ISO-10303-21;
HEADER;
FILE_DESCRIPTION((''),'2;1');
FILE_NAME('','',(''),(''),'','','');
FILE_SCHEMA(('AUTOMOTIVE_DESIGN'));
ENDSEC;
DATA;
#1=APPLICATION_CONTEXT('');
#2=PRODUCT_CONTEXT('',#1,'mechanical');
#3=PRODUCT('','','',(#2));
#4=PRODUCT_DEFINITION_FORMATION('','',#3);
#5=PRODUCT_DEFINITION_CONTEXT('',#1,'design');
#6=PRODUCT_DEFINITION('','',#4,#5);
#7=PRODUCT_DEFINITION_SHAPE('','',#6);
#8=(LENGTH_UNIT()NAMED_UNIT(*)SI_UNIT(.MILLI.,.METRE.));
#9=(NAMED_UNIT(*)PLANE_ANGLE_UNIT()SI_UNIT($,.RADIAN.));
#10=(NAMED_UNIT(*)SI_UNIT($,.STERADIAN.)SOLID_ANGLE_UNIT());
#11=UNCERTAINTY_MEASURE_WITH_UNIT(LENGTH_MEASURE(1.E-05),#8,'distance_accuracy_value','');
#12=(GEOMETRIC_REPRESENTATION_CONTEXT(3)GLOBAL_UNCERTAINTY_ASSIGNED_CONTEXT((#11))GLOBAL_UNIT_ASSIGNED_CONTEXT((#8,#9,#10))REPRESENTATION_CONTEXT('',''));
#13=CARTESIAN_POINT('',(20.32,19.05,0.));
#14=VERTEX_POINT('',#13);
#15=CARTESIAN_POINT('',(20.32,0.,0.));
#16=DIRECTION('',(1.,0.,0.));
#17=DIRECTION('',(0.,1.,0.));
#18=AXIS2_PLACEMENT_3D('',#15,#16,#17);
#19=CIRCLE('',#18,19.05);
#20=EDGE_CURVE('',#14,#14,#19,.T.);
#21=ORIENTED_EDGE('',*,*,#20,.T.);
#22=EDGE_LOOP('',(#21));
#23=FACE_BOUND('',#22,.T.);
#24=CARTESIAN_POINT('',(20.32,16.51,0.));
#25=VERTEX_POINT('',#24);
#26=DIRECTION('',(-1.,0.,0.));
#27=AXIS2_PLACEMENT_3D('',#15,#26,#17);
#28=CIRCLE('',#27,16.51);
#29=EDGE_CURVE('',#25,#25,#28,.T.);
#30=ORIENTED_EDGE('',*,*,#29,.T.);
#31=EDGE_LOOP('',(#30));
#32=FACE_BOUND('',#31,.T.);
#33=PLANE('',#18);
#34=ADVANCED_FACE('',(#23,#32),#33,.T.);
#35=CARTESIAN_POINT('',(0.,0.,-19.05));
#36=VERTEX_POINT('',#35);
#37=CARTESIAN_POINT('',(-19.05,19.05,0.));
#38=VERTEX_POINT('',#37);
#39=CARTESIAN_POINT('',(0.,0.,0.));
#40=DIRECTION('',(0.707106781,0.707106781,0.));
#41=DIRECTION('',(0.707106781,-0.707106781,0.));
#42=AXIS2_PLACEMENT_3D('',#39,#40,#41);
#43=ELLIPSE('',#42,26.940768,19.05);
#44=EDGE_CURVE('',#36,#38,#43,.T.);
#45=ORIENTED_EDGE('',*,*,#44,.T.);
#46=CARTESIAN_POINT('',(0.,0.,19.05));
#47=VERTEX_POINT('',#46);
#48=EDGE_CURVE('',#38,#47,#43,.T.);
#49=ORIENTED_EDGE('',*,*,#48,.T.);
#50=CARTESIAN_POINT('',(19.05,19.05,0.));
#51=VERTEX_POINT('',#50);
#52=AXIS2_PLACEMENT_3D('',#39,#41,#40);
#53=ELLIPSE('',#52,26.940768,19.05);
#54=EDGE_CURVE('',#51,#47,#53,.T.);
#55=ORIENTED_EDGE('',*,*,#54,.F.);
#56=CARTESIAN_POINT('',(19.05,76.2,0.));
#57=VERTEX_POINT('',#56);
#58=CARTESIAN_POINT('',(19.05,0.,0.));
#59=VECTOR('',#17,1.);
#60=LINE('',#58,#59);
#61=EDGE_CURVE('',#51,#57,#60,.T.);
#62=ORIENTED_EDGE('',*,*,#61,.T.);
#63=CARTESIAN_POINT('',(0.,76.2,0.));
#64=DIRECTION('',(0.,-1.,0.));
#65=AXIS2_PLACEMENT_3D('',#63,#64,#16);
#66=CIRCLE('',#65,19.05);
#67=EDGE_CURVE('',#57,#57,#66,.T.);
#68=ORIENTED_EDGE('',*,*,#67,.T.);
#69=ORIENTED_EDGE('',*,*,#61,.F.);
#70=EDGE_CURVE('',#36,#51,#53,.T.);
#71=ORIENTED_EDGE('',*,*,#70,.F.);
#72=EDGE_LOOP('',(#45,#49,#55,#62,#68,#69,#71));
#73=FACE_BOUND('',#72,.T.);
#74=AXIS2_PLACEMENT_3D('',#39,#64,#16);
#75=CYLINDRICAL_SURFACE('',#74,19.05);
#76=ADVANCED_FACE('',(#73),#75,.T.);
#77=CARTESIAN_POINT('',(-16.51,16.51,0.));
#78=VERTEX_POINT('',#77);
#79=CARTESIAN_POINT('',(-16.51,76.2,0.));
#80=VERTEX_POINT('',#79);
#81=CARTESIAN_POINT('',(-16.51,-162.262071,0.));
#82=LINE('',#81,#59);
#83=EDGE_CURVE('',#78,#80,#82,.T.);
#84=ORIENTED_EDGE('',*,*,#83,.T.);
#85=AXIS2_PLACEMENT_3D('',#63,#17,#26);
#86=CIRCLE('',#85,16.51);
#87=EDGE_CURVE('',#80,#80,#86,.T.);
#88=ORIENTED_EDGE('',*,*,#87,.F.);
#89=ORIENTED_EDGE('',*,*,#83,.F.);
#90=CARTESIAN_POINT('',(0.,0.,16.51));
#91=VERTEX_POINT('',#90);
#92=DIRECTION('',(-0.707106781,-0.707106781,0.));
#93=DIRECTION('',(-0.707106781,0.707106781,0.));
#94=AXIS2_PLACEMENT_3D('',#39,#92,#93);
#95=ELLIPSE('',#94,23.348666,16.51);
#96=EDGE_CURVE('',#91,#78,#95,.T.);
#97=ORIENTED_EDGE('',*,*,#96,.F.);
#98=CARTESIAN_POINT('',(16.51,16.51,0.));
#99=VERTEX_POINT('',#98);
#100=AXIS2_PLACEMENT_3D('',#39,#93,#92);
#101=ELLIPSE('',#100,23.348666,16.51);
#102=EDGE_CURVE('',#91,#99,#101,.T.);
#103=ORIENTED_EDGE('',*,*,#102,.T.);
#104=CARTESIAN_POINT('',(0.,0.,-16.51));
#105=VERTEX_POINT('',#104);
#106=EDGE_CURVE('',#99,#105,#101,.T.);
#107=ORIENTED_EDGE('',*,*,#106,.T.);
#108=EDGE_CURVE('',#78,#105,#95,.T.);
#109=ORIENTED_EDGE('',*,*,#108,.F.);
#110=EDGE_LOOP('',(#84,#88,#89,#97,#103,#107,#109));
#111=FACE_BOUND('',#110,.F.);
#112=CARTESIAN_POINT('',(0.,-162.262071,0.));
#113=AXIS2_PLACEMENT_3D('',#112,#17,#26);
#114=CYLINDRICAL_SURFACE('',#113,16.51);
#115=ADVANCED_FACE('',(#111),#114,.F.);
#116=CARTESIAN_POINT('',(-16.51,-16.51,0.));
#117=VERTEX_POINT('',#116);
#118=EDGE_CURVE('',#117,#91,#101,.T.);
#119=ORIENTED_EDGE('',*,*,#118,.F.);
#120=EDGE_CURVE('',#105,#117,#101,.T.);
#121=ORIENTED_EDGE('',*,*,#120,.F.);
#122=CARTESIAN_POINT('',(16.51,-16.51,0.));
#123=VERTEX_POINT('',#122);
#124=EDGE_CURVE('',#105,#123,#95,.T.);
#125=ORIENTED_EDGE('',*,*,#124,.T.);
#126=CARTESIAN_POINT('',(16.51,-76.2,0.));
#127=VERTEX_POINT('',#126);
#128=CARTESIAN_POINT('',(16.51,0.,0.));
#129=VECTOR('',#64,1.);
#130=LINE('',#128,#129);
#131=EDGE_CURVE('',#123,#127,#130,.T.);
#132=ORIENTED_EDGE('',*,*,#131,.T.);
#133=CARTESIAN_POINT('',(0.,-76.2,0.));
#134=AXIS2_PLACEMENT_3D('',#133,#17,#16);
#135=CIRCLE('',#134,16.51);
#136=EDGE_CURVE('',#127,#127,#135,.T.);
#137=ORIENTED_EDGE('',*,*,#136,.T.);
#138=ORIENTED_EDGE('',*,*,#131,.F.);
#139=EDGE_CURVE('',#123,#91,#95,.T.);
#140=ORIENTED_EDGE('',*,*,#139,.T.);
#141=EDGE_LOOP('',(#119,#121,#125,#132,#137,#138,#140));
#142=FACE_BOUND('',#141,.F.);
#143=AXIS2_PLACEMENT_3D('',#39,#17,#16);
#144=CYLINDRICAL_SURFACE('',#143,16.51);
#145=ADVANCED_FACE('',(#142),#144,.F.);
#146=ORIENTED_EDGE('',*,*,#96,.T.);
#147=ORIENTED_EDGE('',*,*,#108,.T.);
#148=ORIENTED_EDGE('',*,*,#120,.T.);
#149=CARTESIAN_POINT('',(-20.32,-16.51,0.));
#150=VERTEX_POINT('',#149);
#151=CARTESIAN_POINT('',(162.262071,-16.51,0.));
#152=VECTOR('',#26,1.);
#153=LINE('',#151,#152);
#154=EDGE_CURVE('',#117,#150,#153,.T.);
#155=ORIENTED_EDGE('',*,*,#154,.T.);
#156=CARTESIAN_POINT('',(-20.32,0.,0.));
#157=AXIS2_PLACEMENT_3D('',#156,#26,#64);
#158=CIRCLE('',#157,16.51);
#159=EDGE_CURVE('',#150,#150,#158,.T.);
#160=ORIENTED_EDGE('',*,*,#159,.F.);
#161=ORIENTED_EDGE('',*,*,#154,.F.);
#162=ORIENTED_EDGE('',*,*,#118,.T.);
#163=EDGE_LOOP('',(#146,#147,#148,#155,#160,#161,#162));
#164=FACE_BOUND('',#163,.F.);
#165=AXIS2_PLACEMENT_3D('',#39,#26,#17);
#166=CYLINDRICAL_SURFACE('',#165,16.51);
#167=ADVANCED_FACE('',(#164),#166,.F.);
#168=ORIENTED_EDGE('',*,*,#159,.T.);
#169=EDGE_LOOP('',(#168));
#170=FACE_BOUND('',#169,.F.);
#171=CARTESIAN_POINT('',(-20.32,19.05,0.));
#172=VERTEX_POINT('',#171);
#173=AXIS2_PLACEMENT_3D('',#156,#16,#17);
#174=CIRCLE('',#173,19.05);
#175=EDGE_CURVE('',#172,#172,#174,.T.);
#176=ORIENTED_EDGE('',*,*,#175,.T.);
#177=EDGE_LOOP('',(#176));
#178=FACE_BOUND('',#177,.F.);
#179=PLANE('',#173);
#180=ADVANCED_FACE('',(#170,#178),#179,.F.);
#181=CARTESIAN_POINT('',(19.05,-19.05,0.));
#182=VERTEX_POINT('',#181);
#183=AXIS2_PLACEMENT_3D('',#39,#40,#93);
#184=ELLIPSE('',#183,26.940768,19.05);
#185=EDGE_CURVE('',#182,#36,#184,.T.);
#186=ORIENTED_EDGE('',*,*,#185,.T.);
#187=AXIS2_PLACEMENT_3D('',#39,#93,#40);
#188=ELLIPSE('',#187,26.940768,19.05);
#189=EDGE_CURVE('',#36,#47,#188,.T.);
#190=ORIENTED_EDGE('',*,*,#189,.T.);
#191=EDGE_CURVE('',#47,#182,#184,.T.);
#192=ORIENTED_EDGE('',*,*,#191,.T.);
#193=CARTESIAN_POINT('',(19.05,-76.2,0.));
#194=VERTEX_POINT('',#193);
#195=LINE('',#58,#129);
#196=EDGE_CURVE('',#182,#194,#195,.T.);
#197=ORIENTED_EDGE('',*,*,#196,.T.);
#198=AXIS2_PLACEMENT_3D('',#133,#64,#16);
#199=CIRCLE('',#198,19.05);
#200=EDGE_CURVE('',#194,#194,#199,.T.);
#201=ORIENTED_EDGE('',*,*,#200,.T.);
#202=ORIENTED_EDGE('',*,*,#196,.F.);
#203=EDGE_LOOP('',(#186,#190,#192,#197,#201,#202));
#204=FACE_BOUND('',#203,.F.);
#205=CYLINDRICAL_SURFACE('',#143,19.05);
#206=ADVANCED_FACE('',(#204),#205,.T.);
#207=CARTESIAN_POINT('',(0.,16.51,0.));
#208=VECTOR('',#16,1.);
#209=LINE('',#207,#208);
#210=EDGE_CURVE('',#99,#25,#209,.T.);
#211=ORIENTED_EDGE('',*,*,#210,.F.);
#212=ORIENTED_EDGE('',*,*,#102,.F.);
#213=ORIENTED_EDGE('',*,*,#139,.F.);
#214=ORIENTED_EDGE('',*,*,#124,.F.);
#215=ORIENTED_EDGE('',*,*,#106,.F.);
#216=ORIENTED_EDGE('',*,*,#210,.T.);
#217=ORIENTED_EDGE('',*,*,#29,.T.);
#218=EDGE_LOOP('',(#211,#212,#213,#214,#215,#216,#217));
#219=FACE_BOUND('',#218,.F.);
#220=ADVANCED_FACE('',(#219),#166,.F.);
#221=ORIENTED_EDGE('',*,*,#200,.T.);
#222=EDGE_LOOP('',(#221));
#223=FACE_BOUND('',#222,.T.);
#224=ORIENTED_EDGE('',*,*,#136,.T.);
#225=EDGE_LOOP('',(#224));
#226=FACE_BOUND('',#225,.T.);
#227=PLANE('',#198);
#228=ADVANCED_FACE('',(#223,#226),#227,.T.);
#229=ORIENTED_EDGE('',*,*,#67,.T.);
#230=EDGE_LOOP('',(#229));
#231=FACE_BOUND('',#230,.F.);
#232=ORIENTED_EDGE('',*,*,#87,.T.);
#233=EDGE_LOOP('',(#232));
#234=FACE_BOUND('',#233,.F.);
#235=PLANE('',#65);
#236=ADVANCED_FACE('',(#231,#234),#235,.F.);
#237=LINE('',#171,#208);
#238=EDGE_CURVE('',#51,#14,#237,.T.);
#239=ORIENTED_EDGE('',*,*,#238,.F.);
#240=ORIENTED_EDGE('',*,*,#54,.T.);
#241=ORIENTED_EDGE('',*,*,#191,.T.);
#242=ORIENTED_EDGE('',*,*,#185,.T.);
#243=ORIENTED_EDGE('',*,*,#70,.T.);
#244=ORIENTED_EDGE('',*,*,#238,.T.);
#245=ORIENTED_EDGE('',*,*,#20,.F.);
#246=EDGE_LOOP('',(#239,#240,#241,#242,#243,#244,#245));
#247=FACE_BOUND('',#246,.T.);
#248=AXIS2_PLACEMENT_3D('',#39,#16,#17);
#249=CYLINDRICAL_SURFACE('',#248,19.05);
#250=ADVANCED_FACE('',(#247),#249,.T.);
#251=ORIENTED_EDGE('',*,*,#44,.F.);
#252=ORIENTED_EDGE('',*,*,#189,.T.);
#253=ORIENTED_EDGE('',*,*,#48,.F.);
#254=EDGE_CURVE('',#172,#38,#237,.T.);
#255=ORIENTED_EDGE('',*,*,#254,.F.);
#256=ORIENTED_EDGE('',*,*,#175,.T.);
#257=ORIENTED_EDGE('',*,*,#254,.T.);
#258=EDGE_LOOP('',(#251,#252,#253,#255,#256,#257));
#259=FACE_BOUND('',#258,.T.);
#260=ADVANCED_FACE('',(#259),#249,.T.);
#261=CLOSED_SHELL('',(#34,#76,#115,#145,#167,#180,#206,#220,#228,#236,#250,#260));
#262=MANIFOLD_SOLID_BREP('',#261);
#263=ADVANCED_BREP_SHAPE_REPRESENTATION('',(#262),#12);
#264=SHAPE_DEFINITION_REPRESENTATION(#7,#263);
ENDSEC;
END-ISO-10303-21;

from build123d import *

# Parameters (mm, degrees)
F0_R     = 19.05
F1_DEPTH = 76.2
F2_R     = 19.05
F3_DEPTH = 20.32
F4_DEPTH = 76.2
F5_D     = 33.02
F5_DEPTH = 20.321
F6_D     = 33.02
F7_D     = 33.02
F7_DEPTH = 76.201
F8_D     = 33.02


with BuildPart() as f1:
    # F0 (on Front) → F1 (new body)
    with BuildSketch(Plane.XZ):
        Circle(F0_R)
    extrude(amount=F1_DEPTH)

    # F2 (on Right) → F3 (join, symmetric)
    with BuildSketch(Plane.YZ):
        Circle(F2_R)
    extrude(amount=F3_DEPTH, both=True)

    # F0 (on Front) → F4 (join)
    with BuildSketch(Plane.XZ):
        Circle(F0_R)
    extrude(amount=-F4_DEPTH)

    # F5 (through all, one way)
    with BuildSketch(Plane(origin=(0, 0, 0), x_dir=(0, 1, 0), z_dir=(-1, 0, 0))):
        with Locations((0, 0)):
            Circle(F5_D / 2)
    extrude(amount=-F5_DEPTH, mode=Mode.SUBTRACT)

    # F6 (through all)
    with Locations(Plane.YZ):
        with Locations((0, 0)):
            Hole(F6_D / 2)

    # F7 (through all, one way)
    with BuildSketch(Plane(origin=(0, 0, 0), x_dir=(1, 0, 0), z_dir=(0, 1, 0))):
        with Locations((0, 0)):
            Circle(F7_D / 2)
    extrude(amount=-F7_DEPTH, mode=Mode.SUBTRACT)

    # F8 (through all)
    with Locations(Plane.XZ):
        with Locations((0, 0)):
            Hole(F8_D / 2)


solid = f1.part
